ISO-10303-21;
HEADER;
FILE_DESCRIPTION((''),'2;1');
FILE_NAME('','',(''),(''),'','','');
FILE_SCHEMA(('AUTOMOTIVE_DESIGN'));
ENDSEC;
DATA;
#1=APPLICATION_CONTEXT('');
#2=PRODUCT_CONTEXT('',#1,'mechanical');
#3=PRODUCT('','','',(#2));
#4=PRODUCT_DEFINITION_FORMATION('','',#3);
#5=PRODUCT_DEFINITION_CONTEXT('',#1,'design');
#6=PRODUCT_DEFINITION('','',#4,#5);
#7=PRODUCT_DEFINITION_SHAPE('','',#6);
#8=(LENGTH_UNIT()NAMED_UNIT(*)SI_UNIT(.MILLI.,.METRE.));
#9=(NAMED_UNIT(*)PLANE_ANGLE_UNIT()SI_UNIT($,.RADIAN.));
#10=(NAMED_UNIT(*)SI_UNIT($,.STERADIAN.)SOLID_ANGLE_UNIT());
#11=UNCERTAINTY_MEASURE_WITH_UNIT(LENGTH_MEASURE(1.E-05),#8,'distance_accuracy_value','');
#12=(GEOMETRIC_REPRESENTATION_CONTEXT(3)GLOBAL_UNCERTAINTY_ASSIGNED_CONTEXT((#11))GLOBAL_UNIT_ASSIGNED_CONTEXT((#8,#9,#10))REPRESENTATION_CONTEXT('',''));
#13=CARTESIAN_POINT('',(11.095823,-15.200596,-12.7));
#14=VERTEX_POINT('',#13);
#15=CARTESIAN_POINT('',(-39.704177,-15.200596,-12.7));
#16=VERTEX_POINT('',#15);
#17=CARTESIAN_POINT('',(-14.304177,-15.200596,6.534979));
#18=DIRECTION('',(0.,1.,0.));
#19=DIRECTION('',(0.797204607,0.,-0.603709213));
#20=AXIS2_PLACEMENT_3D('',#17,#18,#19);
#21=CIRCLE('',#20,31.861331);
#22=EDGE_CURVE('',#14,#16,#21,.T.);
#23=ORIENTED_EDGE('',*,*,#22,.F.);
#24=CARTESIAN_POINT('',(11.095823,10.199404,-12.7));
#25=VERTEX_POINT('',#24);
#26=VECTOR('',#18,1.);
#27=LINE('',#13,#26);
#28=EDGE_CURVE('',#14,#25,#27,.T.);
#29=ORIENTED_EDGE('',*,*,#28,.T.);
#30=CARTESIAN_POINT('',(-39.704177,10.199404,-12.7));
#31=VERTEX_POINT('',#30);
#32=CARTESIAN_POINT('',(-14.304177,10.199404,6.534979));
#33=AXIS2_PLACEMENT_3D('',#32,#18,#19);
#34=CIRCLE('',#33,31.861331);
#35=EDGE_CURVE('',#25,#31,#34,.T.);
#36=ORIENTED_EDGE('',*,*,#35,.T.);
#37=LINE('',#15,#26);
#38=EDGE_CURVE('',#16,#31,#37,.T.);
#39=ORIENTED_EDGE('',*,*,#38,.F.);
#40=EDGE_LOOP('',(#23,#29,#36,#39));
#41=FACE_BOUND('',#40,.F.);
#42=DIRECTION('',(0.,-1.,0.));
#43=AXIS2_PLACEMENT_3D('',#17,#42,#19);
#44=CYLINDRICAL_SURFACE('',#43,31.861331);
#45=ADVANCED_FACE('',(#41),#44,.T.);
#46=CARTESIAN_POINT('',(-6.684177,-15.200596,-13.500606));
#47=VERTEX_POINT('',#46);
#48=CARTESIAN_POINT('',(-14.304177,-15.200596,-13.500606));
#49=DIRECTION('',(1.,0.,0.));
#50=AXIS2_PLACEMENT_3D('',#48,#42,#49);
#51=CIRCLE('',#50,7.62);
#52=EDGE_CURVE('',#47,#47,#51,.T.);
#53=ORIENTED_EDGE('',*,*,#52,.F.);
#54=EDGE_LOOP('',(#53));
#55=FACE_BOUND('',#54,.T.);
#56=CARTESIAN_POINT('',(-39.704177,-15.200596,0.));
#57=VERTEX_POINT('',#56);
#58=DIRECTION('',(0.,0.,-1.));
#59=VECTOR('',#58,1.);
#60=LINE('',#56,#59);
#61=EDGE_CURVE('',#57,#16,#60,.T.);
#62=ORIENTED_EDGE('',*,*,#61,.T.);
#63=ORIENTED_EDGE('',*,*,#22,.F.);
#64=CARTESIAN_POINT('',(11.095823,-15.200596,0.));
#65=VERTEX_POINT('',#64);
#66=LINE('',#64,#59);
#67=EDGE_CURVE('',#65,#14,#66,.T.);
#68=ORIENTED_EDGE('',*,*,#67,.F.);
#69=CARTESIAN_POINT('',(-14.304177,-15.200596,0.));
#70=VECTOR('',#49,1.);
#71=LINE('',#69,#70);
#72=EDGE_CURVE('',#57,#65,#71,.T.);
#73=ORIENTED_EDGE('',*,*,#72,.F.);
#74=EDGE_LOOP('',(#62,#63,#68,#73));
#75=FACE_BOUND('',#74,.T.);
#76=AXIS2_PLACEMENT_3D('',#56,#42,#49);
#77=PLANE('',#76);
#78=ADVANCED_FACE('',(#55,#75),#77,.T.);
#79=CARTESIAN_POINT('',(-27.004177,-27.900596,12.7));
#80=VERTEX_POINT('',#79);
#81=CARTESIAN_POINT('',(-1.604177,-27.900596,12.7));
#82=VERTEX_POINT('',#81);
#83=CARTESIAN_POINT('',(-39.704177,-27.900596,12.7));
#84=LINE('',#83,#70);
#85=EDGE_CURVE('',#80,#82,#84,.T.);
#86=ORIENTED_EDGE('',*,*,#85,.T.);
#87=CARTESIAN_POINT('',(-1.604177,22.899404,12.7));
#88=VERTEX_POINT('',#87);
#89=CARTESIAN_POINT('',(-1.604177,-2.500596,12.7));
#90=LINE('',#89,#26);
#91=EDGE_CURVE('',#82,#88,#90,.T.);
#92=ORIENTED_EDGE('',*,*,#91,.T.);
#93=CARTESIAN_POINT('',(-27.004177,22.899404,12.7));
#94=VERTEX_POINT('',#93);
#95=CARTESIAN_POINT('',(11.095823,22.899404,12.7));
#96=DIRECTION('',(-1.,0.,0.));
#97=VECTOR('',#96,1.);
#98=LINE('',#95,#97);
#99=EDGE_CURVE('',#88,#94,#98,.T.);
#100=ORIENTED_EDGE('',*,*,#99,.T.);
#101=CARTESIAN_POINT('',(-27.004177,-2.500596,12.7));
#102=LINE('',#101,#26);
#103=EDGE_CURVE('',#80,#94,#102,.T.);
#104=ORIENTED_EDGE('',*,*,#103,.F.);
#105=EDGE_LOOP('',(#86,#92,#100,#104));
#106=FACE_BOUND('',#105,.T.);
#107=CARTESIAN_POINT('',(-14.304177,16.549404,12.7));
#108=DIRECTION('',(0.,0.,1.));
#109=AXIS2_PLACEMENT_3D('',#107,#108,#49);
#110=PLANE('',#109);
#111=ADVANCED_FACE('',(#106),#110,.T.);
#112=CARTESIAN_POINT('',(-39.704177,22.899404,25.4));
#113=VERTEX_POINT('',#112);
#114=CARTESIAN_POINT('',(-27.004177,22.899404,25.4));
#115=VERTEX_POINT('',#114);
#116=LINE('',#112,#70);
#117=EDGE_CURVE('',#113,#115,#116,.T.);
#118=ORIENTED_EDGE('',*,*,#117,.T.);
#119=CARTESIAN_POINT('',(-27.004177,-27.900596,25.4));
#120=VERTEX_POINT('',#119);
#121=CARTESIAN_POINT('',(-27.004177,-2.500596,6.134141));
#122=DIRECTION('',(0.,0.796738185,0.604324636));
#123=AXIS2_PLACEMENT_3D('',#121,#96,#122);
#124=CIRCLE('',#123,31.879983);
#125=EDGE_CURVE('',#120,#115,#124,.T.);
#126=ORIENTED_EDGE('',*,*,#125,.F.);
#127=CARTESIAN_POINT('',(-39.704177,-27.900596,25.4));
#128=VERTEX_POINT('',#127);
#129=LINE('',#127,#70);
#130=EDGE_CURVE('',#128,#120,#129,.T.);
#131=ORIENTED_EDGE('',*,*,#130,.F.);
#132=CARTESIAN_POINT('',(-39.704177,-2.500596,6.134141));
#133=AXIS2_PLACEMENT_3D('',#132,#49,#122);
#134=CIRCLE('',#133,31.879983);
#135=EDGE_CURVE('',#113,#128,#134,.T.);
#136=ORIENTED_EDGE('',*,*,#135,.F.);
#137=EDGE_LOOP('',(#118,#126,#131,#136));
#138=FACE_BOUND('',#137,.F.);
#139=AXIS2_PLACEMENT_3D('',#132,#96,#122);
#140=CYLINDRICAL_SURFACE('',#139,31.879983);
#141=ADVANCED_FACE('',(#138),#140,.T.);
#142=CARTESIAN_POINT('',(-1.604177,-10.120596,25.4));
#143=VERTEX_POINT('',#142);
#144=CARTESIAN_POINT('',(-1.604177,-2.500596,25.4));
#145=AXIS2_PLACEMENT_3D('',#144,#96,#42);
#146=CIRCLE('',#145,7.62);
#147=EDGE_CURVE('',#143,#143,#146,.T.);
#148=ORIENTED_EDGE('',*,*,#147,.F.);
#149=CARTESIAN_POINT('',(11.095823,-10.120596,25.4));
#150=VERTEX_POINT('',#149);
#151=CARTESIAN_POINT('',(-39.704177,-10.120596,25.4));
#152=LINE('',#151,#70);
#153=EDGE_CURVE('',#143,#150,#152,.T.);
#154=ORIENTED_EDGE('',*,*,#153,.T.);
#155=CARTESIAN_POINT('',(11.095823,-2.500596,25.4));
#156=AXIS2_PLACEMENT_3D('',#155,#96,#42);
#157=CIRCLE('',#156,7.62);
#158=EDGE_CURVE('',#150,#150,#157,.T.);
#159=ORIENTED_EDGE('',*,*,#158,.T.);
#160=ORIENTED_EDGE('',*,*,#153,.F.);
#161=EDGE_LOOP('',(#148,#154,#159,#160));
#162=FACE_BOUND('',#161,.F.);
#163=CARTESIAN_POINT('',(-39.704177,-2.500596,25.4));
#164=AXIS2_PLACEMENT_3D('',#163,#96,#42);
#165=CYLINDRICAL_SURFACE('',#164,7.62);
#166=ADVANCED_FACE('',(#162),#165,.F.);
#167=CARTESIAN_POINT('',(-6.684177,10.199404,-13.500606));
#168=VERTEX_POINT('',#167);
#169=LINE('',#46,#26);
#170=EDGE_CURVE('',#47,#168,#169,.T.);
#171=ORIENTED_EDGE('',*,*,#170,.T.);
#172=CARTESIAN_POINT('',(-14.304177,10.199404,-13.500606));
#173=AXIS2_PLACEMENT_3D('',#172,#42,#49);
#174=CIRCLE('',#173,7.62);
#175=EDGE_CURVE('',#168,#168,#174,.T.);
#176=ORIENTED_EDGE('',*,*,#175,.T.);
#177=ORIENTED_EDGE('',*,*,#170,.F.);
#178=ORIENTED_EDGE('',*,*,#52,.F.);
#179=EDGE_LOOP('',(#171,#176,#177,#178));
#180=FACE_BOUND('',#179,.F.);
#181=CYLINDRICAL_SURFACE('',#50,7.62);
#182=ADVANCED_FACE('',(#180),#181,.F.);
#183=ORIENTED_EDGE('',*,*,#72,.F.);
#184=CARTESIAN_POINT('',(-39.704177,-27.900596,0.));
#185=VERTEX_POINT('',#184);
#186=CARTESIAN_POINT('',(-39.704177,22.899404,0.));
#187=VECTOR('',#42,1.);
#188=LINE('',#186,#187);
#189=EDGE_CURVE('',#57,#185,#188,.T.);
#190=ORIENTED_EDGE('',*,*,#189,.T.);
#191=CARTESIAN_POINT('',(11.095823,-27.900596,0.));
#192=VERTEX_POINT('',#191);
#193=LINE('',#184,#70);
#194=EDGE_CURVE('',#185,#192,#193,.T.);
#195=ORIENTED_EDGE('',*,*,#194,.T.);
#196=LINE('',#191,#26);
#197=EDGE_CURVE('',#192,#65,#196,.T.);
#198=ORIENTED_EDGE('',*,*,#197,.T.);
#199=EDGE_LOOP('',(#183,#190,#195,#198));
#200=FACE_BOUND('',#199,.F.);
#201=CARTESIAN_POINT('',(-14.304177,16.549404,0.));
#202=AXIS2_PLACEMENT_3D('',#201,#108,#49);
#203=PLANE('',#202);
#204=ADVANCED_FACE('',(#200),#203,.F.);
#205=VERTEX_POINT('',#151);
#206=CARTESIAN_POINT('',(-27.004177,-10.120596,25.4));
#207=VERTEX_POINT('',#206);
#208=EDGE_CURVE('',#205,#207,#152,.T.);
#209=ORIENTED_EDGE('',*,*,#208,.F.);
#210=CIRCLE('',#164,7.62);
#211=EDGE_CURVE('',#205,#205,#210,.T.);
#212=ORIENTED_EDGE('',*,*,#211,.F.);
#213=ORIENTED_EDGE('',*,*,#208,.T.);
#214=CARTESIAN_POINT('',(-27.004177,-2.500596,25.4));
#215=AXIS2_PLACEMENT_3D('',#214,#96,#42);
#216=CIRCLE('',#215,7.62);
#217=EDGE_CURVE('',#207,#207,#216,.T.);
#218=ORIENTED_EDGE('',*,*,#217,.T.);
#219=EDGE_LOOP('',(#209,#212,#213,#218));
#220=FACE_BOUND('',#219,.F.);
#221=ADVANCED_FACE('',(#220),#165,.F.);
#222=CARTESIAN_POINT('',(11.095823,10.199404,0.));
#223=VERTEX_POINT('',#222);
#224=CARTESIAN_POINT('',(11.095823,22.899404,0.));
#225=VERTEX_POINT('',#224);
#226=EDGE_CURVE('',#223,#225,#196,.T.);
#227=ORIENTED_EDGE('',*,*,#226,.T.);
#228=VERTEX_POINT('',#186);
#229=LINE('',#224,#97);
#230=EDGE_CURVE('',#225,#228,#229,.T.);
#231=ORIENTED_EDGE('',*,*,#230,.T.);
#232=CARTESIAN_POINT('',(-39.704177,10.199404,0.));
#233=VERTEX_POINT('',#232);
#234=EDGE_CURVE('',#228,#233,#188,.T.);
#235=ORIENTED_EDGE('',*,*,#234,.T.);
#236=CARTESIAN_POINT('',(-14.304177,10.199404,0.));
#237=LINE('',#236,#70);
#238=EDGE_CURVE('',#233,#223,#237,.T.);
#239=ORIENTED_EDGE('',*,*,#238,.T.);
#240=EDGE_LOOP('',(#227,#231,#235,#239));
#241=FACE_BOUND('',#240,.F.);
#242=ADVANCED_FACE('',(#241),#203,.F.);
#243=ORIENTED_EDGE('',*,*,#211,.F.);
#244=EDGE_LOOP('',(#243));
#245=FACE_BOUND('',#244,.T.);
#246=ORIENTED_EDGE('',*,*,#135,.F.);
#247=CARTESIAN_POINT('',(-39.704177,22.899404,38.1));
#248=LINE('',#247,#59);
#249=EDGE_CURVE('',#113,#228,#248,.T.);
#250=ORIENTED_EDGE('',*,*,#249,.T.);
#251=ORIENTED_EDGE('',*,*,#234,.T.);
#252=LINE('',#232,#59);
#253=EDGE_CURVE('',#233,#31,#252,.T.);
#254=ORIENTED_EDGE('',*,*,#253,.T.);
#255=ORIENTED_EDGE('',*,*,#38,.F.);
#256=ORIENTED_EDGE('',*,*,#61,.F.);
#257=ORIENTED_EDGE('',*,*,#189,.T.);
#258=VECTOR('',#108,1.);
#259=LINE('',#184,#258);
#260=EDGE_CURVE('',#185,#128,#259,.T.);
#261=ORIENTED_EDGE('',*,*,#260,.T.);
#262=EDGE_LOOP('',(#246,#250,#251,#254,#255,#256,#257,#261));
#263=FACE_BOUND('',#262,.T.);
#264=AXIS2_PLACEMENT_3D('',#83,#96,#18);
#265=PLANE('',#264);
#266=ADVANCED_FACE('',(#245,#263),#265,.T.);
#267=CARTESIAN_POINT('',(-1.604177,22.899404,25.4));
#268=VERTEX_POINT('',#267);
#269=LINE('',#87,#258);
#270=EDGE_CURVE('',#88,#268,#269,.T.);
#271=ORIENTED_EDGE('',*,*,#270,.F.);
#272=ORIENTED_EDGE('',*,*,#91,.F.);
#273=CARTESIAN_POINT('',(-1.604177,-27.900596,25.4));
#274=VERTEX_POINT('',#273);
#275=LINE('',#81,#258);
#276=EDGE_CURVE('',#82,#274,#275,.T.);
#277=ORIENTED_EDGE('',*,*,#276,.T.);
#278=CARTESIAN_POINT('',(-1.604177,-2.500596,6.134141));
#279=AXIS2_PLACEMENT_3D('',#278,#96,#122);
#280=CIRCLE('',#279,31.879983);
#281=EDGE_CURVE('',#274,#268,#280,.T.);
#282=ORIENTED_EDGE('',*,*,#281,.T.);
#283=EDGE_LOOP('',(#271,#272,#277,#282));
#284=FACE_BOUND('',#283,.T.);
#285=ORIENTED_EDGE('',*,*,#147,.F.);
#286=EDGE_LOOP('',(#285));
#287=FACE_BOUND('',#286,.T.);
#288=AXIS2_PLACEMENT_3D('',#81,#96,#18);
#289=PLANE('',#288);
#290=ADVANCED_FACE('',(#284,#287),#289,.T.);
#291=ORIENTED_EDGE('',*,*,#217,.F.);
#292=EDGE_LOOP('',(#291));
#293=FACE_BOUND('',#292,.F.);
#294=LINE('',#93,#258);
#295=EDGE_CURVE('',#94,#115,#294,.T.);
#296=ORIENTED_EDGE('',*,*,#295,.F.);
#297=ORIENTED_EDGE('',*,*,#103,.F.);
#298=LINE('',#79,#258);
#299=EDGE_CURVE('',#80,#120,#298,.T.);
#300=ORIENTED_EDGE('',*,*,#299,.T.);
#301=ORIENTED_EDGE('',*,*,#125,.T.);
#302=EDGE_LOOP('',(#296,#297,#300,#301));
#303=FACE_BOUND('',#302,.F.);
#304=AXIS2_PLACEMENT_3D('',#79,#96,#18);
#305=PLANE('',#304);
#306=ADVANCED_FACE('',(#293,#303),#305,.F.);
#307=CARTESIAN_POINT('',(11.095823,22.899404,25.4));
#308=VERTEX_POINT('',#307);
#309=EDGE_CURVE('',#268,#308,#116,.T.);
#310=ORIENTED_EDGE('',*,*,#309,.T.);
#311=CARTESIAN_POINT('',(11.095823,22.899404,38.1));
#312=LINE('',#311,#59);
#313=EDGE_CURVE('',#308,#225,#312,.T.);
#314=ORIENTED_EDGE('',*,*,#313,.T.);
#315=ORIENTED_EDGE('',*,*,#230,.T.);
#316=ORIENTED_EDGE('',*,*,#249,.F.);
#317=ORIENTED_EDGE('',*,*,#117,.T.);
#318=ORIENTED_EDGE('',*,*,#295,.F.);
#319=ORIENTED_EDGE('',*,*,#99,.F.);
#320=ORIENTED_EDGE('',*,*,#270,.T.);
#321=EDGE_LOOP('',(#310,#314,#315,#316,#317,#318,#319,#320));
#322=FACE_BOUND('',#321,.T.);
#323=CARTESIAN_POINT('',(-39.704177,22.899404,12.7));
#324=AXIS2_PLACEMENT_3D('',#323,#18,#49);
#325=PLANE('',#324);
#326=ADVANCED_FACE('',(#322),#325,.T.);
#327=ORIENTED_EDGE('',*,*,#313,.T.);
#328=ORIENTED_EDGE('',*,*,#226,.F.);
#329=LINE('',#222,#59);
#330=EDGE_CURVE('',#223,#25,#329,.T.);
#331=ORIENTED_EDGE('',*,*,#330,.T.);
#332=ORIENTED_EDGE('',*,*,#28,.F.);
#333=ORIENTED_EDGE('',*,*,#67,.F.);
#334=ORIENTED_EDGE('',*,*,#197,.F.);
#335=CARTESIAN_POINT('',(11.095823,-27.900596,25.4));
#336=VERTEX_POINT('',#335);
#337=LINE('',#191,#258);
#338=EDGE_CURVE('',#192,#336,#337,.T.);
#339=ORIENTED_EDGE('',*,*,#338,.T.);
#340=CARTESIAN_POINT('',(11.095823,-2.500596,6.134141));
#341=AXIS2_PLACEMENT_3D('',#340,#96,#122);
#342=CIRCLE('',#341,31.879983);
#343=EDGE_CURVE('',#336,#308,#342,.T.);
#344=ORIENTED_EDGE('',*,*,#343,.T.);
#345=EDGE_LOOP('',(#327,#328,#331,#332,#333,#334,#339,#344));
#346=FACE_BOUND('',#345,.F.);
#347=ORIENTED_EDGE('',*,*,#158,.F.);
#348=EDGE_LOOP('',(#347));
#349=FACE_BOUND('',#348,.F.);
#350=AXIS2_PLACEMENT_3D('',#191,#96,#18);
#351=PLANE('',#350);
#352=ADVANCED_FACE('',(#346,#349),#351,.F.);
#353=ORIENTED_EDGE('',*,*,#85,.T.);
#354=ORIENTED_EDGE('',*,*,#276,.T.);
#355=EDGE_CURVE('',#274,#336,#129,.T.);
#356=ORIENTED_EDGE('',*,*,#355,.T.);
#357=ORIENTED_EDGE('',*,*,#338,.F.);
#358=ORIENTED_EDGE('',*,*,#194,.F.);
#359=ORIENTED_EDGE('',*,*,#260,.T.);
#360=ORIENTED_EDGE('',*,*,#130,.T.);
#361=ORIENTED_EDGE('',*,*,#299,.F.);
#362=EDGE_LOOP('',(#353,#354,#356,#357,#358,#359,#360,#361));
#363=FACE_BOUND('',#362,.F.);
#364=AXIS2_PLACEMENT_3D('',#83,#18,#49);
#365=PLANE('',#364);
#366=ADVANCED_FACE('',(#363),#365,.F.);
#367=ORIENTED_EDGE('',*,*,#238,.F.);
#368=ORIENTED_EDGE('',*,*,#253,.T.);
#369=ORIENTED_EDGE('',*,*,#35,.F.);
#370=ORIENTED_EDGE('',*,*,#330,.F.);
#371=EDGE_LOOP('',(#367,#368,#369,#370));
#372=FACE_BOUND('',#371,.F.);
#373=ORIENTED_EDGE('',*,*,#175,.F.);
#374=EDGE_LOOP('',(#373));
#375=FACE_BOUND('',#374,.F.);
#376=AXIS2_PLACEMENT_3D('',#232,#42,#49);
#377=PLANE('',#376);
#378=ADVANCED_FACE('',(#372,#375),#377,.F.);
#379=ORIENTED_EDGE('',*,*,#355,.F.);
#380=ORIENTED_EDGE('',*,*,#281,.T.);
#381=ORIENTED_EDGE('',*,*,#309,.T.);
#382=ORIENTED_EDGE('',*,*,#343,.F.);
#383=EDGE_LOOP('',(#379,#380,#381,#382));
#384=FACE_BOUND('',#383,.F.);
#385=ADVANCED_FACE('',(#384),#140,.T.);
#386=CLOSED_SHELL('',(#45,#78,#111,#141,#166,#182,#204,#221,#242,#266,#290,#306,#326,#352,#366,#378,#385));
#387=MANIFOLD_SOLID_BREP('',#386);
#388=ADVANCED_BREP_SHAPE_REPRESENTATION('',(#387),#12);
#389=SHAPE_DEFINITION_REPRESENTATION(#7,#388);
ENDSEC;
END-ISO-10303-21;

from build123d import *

# Parameters (mm, degrees)
F0_W     = 50.8
F0_H     = 25.4
F1_DEPTH = 12.7
F2_W     = 12.7
F2_H     = 50.8
F3_DEPTH = 25.4
F4_R     = 7.62
F5_DEPTH = 53.34
F6_DEPTH = 25.4
F7_R     = 7.62
F8_DEPTH = 25.4


with BuildPart() as f1:
    # F0 (on Top) → F1 (new body)
    with BuildSketch(Plane.XY):
        Polygon((-27.004177, 22.899404), (-39.704177, 22.899404), (-39.704177, 10.199404), (11.095823, 10.199404), (11.095823, 22.899404), (-1.604177, 22.899404), align=None)
        Polygon((11.095823, -15.200596), (-39.704177, -15.200596), (-39.704177, -27.900596), (-27.004177, -27.900596), (-1.604177, -27.900596), (11.095823, -27.900596), align=None)
        with Locations((-14.304177, -2.500596)):
            Rectangle(F0_W, F0_H)
    extrude(amount=F1_DEPTH)

    # F2 (on face) → F3 (join)
    with BuildSketch(Plane.XY.offset(12.7)):
        with Locations((-33.354177, -2.500596)):
            Rectangle(F2_W, F2_H)
        with Locations((4.745823, -2.500596)):
            Rectangle(F2_W, F2_H)
    extrude(amount=F3_DEPTH)

    # F4 (on face) → F5 (cut)
    with BuildSketch(Plane(origin=(-39.704177, 0, 0), x_dir=(0, -1, 0), z_dir=(-1, 0, 0))):
        with BuildLine():
            ThreePointArc((-22.899404, 25.4), (2.500596, 38.014124), (27.900596, 25.4))
            Line((27.900596, 25.4), (27.900596, 38.1))
            Line((27.900596, 38.1), (-22.899404, 38.1))
            Line((-22.899404, 38.1), (-22.899404, 25.4))
        make_face()
        with Locations((2.500596, 25.4)):
            Circle(F4_R)
    extrude(amount=-F5_DEPTH, mode=Mode.SUBTRACT)

    # F0 (on Top) → F6 (join)
    with BuildSketch(Plane.XY):
        with Locations((-14.304177, -2.500596)):
            Rectangle(F0_W, F0_H)
    extrude(amount=-F6_DEPTH)

    # F7 (on face) → F8 (cut)
    with BuildSketch(Plane.XZ.offset(15.200596)):
        with Locations((-14.304177, -13.500606)):
            Circle(F7_R)
        with BuildLine():
            ThreePointArc((11.095823, -12.7), (-14.304177, -25.326352), (-39.704177, -12.7))
            Line((-39.704177, -12.7), (-39.704177, -25.4))
            Line((-39.704177, -25.4), (11.095823, -25.4))
            Line((11.095823, -25.4), (11.095823, -12.7))
        make_face()
    extrude(amount=-F8_DEPTH, mode=Mode.SUBTRACT)


solid = f1.part
